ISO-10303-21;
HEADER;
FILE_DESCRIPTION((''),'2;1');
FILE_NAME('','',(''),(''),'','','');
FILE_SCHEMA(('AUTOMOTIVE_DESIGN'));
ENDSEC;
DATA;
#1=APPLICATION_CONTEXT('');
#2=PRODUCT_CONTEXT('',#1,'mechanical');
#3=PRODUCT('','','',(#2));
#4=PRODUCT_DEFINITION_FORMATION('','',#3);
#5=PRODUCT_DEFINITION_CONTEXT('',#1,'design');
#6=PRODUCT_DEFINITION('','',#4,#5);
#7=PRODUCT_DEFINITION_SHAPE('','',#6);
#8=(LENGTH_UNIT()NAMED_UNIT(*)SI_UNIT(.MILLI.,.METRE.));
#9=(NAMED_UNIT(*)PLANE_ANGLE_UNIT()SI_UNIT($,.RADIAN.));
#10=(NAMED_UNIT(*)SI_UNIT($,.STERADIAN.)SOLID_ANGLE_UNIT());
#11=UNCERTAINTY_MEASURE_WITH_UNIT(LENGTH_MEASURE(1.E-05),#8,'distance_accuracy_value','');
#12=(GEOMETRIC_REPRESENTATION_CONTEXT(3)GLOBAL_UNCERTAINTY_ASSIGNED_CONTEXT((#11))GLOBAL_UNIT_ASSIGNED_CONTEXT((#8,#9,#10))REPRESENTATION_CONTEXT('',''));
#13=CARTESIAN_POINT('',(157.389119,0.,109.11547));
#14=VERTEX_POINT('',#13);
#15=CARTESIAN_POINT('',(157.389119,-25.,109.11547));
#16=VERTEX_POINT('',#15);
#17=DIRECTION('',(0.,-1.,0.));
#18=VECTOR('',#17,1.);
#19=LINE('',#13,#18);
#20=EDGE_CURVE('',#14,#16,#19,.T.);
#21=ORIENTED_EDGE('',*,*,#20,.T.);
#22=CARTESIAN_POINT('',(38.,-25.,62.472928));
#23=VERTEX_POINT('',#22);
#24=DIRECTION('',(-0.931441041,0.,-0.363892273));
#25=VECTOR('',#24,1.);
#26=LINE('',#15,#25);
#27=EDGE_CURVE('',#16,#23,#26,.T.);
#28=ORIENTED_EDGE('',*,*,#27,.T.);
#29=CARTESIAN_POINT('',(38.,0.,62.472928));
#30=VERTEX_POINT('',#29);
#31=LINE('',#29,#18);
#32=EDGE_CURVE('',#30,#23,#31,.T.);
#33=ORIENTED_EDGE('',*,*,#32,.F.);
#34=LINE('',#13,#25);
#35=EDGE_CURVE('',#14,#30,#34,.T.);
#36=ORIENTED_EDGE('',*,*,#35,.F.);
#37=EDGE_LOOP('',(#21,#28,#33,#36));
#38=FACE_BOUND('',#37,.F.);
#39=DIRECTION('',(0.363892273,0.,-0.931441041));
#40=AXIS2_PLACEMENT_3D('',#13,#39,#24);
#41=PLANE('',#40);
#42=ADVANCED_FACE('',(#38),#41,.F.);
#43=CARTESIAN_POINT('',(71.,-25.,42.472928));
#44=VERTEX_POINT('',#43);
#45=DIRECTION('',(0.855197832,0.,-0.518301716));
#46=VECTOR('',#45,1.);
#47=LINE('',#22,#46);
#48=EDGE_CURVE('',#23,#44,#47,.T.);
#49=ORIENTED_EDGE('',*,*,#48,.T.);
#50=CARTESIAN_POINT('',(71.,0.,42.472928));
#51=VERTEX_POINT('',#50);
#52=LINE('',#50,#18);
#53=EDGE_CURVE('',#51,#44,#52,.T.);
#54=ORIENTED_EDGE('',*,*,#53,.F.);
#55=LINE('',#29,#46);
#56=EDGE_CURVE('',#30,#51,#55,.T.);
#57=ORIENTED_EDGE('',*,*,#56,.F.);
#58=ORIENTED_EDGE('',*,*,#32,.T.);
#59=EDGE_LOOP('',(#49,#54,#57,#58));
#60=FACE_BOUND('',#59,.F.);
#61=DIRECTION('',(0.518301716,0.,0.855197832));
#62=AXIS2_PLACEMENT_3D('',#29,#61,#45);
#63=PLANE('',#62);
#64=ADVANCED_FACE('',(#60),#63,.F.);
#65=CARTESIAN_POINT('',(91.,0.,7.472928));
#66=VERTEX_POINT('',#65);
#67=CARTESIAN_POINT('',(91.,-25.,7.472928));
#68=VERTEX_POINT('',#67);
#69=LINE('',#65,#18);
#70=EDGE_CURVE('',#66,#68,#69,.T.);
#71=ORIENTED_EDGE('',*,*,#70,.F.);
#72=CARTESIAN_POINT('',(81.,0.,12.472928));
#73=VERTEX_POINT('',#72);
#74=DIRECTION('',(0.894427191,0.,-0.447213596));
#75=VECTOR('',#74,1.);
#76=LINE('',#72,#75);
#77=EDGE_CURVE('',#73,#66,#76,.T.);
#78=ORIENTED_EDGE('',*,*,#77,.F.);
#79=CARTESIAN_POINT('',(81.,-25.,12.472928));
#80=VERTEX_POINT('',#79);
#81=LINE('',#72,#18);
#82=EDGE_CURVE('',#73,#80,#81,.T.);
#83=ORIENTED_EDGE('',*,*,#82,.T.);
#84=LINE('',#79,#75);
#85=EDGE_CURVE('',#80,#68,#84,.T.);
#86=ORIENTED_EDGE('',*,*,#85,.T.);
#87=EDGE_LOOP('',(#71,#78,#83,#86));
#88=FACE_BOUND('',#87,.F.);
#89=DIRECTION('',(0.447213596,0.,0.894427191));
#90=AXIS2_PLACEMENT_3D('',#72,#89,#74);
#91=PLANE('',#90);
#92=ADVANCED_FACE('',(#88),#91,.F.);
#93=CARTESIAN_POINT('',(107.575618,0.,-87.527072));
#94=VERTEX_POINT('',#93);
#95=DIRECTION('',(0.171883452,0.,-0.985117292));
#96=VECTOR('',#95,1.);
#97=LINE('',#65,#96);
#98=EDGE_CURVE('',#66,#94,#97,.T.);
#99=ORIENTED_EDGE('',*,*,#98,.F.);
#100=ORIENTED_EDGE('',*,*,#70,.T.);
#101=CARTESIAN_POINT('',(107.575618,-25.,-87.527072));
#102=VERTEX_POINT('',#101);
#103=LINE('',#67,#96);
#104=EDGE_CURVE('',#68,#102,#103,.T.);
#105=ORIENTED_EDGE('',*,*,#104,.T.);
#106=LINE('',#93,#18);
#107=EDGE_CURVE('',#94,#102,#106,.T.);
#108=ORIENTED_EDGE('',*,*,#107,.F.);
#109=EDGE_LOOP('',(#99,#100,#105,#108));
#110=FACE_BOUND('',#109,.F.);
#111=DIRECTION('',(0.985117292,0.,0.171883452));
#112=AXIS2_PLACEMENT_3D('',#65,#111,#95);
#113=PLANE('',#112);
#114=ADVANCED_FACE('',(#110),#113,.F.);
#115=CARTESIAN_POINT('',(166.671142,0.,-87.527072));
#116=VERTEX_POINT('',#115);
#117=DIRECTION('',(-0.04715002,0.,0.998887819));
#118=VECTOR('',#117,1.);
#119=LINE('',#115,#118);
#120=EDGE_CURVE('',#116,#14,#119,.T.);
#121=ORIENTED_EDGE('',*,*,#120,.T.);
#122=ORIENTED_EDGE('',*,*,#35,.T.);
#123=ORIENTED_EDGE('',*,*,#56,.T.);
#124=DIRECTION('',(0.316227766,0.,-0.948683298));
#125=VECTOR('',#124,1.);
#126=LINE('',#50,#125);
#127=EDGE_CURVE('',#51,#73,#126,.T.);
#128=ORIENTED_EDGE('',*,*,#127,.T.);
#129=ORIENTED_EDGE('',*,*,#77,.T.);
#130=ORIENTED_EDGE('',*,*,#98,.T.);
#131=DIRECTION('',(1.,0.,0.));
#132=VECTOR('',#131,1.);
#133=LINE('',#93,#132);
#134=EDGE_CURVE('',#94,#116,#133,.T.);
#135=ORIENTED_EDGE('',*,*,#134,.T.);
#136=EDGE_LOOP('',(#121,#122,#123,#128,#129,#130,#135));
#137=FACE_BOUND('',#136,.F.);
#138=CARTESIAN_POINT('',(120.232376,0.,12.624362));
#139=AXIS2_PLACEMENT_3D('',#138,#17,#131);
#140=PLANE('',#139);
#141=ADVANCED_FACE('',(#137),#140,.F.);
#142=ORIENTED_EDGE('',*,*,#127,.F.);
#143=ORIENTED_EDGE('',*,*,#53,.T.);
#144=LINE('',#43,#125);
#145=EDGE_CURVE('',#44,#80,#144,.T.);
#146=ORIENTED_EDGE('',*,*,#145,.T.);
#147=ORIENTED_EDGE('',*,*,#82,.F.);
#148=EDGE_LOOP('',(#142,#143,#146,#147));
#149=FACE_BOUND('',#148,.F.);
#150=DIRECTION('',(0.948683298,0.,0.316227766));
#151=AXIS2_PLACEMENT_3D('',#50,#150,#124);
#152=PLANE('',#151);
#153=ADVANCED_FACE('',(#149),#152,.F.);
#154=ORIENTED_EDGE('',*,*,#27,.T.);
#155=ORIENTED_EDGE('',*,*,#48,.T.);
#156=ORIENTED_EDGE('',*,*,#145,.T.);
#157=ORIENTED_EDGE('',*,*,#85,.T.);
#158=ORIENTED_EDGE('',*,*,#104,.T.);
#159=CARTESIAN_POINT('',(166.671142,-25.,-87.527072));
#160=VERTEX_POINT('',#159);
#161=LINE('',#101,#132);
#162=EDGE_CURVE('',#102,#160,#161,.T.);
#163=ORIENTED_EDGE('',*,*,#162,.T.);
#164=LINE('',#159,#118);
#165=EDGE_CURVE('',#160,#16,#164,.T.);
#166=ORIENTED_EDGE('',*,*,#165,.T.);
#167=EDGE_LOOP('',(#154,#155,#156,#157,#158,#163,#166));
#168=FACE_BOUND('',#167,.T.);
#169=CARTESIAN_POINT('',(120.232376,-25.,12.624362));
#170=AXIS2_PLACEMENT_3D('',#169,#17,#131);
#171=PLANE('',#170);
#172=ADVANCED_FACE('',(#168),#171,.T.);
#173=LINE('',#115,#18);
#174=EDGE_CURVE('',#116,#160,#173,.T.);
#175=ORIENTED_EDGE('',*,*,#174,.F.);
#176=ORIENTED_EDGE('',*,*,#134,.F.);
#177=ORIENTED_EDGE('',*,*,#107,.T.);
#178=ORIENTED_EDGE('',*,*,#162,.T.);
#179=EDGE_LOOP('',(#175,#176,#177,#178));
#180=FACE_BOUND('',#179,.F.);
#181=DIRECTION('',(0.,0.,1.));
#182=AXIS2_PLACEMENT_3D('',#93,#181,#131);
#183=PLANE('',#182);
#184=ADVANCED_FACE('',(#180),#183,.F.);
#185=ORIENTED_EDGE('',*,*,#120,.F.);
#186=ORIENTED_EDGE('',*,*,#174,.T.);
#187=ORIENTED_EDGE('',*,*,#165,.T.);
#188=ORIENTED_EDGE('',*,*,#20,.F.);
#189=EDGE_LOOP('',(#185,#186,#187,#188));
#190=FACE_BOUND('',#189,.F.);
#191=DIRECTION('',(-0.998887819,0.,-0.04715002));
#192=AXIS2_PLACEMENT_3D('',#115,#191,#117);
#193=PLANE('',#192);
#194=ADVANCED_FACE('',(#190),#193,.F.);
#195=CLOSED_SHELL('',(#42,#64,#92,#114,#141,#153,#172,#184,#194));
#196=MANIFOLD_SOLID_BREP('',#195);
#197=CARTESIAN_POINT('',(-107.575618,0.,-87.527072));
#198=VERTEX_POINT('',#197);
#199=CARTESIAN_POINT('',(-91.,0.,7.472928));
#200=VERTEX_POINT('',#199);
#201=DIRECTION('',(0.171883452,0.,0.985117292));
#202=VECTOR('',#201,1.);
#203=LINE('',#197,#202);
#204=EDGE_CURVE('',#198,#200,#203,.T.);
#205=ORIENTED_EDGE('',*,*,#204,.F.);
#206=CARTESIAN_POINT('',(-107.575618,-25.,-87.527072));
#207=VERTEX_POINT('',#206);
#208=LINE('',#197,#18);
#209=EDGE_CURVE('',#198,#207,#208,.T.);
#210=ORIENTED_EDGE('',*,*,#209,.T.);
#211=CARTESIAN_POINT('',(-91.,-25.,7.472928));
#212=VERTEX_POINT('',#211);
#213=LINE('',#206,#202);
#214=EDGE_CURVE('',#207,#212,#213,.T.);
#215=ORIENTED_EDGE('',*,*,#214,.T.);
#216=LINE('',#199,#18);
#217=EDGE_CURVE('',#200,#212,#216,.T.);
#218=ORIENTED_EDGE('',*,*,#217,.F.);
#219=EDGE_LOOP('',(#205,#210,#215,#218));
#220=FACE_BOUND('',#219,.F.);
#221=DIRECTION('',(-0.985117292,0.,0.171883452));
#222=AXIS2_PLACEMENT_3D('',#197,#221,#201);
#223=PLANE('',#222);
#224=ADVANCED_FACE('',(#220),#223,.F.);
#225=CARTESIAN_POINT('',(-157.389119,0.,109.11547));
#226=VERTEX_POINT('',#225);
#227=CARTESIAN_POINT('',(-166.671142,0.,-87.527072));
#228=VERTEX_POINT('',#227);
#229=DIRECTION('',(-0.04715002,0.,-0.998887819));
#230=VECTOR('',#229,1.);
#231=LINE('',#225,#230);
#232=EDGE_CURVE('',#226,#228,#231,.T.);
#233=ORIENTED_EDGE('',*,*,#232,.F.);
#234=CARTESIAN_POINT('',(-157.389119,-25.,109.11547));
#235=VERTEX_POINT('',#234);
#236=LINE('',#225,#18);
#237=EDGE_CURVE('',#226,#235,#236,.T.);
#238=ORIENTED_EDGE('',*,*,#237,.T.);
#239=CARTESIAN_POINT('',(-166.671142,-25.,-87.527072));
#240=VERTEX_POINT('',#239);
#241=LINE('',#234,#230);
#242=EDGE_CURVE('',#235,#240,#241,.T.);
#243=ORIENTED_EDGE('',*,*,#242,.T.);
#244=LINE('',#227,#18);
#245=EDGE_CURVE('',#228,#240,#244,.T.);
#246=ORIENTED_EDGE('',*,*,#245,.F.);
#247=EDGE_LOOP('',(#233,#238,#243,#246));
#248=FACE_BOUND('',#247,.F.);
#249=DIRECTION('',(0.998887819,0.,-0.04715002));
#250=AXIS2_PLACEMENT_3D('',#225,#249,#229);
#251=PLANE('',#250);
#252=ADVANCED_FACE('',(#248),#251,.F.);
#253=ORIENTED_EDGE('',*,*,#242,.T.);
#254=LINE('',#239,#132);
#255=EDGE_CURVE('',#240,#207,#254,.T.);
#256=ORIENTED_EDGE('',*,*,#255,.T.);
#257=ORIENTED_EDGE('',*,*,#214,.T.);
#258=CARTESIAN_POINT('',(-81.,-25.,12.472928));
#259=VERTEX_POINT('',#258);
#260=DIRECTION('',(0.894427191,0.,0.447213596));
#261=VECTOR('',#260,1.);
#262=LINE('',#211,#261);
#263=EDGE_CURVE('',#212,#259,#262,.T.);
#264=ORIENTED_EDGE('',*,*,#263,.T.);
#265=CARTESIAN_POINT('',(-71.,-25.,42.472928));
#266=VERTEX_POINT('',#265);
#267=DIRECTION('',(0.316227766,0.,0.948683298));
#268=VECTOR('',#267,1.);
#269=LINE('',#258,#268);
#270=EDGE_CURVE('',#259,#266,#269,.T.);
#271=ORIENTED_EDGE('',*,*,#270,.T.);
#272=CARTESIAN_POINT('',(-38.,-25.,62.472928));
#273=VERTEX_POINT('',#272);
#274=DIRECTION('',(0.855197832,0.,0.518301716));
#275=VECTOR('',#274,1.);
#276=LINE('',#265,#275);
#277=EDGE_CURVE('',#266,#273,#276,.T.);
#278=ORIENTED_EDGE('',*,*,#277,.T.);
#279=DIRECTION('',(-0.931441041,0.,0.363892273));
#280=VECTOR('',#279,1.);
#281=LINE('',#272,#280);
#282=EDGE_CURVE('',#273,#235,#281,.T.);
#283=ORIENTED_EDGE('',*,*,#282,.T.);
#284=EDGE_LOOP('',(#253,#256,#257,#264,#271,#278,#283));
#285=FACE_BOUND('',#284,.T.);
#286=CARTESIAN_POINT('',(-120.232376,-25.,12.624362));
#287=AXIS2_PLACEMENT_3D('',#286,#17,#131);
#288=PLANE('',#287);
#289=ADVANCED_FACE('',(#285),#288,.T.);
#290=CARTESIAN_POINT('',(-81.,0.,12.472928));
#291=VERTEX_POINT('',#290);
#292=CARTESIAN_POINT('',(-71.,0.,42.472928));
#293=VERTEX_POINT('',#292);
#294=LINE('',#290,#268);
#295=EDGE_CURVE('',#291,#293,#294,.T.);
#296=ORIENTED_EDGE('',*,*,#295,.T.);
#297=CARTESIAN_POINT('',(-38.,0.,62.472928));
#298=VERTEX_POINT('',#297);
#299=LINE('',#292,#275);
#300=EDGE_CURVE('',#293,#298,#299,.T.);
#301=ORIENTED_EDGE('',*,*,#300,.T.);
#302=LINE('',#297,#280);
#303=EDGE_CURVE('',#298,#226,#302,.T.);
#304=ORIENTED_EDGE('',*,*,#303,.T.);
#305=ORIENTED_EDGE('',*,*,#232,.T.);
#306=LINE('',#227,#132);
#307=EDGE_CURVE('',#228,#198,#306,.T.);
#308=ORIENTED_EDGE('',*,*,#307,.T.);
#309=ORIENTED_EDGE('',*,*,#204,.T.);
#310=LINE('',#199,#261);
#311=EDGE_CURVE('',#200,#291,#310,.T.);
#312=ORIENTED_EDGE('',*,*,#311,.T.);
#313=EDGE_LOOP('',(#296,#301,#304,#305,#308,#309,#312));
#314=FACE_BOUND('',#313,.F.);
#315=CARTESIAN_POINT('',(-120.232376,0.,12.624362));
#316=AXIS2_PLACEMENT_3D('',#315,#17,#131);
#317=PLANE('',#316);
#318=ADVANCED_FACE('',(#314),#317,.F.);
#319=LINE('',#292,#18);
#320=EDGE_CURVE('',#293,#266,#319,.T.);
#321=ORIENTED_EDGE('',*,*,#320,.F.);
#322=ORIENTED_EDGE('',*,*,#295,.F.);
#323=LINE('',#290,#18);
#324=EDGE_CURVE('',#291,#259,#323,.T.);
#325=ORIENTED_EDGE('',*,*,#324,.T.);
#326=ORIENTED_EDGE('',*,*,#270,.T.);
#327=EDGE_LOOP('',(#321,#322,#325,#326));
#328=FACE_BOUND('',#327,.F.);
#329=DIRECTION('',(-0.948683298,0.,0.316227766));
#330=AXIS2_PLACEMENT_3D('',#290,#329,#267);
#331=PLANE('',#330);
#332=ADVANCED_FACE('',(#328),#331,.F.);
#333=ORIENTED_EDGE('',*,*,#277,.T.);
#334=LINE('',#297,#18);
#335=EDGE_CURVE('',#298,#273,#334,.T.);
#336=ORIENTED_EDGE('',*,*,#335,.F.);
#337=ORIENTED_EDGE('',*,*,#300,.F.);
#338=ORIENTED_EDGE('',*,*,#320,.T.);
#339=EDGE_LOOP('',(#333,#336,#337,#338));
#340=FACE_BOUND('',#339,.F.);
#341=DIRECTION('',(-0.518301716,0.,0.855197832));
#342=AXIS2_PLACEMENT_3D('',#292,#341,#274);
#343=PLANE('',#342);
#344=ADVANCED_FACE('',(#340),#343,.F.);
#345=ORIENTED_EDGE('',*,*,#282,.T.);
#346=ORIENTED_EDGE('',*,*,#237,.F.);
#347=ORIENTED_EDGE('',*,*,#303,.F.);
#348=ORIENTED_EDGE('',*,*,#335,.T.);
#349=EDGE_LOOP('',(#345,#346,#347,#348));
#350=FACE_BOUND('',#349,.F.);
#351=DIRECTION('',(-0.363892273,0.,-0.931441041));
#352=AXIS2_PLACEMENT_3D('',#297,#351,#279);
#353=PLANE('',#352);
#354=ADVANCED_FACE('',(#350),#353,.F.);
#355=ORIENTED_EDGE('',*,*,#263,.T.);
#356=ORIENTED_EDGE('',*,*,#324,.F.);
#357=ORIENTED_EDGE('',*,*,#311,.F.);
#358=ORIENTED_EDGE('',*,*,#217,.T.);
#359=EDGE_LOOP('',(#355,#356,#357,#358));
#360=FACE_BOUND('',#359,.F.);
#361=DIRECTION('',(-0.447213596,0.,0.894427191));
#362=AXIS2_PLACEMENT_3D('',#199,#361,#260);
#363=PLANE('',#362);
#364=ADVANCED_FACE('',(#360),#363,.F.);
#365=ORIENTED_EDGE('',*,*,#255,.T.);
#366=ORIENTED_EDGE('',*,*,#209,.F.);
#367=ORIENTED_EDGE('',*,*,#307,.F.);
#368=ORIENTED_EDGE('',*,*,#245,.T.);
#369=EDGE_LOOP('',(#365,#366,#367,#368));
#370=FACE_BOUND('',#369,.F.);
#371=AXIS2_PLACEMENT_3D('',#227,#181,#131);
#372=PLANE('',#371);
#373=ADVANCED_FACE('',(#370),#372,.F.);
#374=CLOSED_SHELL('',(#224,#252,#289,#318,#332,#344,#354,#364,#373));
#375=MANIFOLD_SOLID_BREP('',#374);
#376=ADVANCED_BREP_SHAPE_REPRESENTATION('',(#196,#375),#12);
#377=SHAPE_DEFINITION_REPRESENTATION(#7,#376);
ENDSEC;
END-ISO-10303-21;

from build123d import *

# Parameters (mm, degrees)
F1_DEPTH = 25


with BuildPart() as f1:
    # F0 (on Front) → F1 (new body)
    with BuildSketch(Plane.XZ):
        Polygon((71, 42.472928), (81, 12.472928), (91, 7.472928), (107.575618, -87.527072), (166.671142, -87.527072), (157.389119, 109.11547), (38, 62.472928), align=None)
        Polygon((-71, 42.472928), (-38, 62.472928), (-157.389119, 109.11547), (-166.671142, -87.527072), (-107.575618, -87.527072), (-91, 7.472928), (-81, 12.472928), align=None)
    extrude(amount=F1_DEPTH)


solid = f1.part
